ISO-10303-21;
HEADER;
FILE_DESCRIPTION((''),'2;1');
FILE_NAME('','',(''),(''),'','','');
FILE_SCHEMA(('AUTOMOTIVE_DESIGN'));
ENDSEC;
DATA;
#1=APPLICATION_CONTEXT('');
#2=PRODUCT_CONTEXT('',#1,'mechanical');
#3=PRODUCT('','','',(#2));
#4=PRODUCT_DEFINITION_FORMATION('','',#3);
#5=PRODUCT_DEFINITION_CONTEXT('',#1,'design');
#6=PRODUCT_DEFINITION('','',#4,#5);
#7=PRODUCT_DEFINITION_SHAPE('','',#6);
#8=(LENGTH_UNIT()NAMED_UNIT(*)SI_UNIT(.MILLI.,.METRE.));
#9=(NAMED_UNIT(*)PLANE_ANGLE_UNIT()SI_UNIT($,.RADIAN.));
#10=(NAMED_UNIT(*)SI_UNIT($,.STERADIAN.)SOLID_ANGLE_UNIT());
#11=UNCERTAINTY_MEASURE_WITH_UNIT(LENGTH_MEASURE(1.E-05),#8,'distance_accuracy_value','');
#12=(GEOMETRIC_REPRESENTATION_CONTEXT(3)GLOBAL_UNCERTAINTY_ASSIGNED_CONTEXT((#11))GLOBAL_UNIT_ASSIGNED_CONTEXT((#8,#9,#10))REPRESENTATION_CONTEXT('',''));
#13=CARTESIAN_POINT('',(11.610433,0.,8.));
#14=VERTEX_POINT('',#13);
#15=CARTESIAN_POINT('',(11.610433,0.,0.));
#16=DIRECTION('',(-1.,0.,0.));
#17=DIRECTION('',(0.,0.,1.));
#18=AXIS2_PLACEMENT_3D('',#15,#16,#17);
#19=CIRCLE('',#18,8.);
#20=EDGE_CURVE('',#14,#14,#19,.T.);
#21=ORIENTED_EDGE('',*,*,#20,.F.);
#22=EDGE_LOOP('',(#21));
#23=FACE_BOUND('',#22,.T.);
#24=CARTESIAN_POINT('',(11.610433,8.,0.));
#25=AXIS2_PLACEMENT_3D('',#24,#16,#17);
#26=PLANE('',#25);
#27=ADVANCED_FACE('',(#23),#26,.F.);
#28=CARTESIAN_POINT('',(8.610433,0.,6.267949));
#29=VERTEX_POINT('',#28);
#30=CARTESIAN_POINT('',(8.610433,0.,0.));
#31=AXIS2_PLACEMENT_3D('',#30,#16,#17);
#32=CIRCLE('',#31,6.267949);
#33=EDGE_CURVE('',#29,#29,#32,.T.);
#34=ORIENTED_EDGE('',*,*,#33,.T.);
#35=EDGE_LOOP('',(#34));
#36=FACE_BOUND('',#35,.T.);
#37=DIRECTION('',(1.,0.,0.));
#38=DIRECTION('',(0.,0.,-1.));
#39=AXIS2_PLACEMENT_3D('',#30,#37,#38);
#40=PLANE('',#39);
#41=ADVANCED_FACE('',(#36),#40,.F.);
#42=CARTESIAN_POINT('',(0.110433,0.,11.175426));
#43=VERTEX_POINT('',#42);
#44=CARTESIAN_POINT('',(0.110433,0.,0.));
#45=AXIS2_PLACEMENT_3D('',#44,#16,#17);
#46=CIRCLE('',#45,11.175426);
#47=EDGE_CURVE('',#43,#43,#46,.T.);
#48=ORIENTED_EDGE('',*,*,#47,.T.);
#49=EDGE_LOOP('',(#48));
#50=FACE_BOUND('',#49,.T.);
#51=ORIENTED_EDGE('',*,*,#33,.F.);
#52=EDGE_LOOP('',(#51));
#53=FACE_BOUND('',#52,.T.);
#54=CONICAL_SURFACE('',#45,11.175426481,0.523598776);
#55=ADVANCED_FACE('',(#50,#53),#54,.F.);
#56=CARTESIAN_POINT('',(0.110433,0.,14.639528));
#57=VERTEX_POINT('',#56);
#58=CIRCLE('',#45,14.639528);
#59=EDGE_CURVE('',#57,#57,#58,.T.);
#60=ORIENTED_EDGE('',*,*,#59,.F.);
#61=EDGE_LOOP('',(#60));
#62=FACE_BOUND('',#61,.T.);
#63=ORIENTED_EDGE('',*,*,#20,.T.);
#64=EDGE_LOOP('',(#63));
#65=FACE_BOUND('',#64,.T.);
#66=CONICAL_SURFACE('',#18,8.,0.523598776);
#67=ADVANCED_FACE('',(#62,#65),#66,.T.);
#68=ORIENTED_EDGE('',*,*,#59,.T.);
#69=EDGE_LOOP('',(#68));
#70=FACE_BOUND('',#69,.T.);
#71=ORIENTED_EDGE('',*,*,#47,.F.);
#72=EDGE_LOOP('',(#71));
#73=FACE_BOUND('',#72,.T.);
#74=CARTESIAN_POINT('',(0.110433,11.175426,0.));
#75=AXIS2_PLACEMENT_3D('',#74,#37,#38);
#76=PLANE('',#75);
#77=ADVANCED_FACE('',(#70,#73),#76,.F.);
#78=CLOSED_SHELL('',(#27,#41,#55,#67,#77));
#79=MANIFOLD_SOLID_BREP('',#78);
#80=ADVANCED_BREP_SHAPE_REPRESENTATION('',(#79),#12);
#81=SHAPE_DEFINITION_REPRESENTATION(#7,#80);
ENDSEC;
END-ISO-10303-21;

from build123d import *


with BuildPart() as part:
    # 草图1 → 旋转1 (revolve)
    with BuildSketch(Plane.XY, mode=Mode.PRIVATE) as revolve_1_sk:
        Polygon((0.110433477, 14.639528096), (11.610433477, 8), (11.610433477, 0), (8.610433477, 0), (8.610433477, 6.267949192), (0.110433477, 11.175426481), align=None)
    revolve(revolve_1_sk.sketch.rotate(Axis((-17.092465753, 0, 0), (1, 0, 0)), 90), axis=Axis((-17.092465753, 0, 0), (1, 0, 0)))


solid = part.part
